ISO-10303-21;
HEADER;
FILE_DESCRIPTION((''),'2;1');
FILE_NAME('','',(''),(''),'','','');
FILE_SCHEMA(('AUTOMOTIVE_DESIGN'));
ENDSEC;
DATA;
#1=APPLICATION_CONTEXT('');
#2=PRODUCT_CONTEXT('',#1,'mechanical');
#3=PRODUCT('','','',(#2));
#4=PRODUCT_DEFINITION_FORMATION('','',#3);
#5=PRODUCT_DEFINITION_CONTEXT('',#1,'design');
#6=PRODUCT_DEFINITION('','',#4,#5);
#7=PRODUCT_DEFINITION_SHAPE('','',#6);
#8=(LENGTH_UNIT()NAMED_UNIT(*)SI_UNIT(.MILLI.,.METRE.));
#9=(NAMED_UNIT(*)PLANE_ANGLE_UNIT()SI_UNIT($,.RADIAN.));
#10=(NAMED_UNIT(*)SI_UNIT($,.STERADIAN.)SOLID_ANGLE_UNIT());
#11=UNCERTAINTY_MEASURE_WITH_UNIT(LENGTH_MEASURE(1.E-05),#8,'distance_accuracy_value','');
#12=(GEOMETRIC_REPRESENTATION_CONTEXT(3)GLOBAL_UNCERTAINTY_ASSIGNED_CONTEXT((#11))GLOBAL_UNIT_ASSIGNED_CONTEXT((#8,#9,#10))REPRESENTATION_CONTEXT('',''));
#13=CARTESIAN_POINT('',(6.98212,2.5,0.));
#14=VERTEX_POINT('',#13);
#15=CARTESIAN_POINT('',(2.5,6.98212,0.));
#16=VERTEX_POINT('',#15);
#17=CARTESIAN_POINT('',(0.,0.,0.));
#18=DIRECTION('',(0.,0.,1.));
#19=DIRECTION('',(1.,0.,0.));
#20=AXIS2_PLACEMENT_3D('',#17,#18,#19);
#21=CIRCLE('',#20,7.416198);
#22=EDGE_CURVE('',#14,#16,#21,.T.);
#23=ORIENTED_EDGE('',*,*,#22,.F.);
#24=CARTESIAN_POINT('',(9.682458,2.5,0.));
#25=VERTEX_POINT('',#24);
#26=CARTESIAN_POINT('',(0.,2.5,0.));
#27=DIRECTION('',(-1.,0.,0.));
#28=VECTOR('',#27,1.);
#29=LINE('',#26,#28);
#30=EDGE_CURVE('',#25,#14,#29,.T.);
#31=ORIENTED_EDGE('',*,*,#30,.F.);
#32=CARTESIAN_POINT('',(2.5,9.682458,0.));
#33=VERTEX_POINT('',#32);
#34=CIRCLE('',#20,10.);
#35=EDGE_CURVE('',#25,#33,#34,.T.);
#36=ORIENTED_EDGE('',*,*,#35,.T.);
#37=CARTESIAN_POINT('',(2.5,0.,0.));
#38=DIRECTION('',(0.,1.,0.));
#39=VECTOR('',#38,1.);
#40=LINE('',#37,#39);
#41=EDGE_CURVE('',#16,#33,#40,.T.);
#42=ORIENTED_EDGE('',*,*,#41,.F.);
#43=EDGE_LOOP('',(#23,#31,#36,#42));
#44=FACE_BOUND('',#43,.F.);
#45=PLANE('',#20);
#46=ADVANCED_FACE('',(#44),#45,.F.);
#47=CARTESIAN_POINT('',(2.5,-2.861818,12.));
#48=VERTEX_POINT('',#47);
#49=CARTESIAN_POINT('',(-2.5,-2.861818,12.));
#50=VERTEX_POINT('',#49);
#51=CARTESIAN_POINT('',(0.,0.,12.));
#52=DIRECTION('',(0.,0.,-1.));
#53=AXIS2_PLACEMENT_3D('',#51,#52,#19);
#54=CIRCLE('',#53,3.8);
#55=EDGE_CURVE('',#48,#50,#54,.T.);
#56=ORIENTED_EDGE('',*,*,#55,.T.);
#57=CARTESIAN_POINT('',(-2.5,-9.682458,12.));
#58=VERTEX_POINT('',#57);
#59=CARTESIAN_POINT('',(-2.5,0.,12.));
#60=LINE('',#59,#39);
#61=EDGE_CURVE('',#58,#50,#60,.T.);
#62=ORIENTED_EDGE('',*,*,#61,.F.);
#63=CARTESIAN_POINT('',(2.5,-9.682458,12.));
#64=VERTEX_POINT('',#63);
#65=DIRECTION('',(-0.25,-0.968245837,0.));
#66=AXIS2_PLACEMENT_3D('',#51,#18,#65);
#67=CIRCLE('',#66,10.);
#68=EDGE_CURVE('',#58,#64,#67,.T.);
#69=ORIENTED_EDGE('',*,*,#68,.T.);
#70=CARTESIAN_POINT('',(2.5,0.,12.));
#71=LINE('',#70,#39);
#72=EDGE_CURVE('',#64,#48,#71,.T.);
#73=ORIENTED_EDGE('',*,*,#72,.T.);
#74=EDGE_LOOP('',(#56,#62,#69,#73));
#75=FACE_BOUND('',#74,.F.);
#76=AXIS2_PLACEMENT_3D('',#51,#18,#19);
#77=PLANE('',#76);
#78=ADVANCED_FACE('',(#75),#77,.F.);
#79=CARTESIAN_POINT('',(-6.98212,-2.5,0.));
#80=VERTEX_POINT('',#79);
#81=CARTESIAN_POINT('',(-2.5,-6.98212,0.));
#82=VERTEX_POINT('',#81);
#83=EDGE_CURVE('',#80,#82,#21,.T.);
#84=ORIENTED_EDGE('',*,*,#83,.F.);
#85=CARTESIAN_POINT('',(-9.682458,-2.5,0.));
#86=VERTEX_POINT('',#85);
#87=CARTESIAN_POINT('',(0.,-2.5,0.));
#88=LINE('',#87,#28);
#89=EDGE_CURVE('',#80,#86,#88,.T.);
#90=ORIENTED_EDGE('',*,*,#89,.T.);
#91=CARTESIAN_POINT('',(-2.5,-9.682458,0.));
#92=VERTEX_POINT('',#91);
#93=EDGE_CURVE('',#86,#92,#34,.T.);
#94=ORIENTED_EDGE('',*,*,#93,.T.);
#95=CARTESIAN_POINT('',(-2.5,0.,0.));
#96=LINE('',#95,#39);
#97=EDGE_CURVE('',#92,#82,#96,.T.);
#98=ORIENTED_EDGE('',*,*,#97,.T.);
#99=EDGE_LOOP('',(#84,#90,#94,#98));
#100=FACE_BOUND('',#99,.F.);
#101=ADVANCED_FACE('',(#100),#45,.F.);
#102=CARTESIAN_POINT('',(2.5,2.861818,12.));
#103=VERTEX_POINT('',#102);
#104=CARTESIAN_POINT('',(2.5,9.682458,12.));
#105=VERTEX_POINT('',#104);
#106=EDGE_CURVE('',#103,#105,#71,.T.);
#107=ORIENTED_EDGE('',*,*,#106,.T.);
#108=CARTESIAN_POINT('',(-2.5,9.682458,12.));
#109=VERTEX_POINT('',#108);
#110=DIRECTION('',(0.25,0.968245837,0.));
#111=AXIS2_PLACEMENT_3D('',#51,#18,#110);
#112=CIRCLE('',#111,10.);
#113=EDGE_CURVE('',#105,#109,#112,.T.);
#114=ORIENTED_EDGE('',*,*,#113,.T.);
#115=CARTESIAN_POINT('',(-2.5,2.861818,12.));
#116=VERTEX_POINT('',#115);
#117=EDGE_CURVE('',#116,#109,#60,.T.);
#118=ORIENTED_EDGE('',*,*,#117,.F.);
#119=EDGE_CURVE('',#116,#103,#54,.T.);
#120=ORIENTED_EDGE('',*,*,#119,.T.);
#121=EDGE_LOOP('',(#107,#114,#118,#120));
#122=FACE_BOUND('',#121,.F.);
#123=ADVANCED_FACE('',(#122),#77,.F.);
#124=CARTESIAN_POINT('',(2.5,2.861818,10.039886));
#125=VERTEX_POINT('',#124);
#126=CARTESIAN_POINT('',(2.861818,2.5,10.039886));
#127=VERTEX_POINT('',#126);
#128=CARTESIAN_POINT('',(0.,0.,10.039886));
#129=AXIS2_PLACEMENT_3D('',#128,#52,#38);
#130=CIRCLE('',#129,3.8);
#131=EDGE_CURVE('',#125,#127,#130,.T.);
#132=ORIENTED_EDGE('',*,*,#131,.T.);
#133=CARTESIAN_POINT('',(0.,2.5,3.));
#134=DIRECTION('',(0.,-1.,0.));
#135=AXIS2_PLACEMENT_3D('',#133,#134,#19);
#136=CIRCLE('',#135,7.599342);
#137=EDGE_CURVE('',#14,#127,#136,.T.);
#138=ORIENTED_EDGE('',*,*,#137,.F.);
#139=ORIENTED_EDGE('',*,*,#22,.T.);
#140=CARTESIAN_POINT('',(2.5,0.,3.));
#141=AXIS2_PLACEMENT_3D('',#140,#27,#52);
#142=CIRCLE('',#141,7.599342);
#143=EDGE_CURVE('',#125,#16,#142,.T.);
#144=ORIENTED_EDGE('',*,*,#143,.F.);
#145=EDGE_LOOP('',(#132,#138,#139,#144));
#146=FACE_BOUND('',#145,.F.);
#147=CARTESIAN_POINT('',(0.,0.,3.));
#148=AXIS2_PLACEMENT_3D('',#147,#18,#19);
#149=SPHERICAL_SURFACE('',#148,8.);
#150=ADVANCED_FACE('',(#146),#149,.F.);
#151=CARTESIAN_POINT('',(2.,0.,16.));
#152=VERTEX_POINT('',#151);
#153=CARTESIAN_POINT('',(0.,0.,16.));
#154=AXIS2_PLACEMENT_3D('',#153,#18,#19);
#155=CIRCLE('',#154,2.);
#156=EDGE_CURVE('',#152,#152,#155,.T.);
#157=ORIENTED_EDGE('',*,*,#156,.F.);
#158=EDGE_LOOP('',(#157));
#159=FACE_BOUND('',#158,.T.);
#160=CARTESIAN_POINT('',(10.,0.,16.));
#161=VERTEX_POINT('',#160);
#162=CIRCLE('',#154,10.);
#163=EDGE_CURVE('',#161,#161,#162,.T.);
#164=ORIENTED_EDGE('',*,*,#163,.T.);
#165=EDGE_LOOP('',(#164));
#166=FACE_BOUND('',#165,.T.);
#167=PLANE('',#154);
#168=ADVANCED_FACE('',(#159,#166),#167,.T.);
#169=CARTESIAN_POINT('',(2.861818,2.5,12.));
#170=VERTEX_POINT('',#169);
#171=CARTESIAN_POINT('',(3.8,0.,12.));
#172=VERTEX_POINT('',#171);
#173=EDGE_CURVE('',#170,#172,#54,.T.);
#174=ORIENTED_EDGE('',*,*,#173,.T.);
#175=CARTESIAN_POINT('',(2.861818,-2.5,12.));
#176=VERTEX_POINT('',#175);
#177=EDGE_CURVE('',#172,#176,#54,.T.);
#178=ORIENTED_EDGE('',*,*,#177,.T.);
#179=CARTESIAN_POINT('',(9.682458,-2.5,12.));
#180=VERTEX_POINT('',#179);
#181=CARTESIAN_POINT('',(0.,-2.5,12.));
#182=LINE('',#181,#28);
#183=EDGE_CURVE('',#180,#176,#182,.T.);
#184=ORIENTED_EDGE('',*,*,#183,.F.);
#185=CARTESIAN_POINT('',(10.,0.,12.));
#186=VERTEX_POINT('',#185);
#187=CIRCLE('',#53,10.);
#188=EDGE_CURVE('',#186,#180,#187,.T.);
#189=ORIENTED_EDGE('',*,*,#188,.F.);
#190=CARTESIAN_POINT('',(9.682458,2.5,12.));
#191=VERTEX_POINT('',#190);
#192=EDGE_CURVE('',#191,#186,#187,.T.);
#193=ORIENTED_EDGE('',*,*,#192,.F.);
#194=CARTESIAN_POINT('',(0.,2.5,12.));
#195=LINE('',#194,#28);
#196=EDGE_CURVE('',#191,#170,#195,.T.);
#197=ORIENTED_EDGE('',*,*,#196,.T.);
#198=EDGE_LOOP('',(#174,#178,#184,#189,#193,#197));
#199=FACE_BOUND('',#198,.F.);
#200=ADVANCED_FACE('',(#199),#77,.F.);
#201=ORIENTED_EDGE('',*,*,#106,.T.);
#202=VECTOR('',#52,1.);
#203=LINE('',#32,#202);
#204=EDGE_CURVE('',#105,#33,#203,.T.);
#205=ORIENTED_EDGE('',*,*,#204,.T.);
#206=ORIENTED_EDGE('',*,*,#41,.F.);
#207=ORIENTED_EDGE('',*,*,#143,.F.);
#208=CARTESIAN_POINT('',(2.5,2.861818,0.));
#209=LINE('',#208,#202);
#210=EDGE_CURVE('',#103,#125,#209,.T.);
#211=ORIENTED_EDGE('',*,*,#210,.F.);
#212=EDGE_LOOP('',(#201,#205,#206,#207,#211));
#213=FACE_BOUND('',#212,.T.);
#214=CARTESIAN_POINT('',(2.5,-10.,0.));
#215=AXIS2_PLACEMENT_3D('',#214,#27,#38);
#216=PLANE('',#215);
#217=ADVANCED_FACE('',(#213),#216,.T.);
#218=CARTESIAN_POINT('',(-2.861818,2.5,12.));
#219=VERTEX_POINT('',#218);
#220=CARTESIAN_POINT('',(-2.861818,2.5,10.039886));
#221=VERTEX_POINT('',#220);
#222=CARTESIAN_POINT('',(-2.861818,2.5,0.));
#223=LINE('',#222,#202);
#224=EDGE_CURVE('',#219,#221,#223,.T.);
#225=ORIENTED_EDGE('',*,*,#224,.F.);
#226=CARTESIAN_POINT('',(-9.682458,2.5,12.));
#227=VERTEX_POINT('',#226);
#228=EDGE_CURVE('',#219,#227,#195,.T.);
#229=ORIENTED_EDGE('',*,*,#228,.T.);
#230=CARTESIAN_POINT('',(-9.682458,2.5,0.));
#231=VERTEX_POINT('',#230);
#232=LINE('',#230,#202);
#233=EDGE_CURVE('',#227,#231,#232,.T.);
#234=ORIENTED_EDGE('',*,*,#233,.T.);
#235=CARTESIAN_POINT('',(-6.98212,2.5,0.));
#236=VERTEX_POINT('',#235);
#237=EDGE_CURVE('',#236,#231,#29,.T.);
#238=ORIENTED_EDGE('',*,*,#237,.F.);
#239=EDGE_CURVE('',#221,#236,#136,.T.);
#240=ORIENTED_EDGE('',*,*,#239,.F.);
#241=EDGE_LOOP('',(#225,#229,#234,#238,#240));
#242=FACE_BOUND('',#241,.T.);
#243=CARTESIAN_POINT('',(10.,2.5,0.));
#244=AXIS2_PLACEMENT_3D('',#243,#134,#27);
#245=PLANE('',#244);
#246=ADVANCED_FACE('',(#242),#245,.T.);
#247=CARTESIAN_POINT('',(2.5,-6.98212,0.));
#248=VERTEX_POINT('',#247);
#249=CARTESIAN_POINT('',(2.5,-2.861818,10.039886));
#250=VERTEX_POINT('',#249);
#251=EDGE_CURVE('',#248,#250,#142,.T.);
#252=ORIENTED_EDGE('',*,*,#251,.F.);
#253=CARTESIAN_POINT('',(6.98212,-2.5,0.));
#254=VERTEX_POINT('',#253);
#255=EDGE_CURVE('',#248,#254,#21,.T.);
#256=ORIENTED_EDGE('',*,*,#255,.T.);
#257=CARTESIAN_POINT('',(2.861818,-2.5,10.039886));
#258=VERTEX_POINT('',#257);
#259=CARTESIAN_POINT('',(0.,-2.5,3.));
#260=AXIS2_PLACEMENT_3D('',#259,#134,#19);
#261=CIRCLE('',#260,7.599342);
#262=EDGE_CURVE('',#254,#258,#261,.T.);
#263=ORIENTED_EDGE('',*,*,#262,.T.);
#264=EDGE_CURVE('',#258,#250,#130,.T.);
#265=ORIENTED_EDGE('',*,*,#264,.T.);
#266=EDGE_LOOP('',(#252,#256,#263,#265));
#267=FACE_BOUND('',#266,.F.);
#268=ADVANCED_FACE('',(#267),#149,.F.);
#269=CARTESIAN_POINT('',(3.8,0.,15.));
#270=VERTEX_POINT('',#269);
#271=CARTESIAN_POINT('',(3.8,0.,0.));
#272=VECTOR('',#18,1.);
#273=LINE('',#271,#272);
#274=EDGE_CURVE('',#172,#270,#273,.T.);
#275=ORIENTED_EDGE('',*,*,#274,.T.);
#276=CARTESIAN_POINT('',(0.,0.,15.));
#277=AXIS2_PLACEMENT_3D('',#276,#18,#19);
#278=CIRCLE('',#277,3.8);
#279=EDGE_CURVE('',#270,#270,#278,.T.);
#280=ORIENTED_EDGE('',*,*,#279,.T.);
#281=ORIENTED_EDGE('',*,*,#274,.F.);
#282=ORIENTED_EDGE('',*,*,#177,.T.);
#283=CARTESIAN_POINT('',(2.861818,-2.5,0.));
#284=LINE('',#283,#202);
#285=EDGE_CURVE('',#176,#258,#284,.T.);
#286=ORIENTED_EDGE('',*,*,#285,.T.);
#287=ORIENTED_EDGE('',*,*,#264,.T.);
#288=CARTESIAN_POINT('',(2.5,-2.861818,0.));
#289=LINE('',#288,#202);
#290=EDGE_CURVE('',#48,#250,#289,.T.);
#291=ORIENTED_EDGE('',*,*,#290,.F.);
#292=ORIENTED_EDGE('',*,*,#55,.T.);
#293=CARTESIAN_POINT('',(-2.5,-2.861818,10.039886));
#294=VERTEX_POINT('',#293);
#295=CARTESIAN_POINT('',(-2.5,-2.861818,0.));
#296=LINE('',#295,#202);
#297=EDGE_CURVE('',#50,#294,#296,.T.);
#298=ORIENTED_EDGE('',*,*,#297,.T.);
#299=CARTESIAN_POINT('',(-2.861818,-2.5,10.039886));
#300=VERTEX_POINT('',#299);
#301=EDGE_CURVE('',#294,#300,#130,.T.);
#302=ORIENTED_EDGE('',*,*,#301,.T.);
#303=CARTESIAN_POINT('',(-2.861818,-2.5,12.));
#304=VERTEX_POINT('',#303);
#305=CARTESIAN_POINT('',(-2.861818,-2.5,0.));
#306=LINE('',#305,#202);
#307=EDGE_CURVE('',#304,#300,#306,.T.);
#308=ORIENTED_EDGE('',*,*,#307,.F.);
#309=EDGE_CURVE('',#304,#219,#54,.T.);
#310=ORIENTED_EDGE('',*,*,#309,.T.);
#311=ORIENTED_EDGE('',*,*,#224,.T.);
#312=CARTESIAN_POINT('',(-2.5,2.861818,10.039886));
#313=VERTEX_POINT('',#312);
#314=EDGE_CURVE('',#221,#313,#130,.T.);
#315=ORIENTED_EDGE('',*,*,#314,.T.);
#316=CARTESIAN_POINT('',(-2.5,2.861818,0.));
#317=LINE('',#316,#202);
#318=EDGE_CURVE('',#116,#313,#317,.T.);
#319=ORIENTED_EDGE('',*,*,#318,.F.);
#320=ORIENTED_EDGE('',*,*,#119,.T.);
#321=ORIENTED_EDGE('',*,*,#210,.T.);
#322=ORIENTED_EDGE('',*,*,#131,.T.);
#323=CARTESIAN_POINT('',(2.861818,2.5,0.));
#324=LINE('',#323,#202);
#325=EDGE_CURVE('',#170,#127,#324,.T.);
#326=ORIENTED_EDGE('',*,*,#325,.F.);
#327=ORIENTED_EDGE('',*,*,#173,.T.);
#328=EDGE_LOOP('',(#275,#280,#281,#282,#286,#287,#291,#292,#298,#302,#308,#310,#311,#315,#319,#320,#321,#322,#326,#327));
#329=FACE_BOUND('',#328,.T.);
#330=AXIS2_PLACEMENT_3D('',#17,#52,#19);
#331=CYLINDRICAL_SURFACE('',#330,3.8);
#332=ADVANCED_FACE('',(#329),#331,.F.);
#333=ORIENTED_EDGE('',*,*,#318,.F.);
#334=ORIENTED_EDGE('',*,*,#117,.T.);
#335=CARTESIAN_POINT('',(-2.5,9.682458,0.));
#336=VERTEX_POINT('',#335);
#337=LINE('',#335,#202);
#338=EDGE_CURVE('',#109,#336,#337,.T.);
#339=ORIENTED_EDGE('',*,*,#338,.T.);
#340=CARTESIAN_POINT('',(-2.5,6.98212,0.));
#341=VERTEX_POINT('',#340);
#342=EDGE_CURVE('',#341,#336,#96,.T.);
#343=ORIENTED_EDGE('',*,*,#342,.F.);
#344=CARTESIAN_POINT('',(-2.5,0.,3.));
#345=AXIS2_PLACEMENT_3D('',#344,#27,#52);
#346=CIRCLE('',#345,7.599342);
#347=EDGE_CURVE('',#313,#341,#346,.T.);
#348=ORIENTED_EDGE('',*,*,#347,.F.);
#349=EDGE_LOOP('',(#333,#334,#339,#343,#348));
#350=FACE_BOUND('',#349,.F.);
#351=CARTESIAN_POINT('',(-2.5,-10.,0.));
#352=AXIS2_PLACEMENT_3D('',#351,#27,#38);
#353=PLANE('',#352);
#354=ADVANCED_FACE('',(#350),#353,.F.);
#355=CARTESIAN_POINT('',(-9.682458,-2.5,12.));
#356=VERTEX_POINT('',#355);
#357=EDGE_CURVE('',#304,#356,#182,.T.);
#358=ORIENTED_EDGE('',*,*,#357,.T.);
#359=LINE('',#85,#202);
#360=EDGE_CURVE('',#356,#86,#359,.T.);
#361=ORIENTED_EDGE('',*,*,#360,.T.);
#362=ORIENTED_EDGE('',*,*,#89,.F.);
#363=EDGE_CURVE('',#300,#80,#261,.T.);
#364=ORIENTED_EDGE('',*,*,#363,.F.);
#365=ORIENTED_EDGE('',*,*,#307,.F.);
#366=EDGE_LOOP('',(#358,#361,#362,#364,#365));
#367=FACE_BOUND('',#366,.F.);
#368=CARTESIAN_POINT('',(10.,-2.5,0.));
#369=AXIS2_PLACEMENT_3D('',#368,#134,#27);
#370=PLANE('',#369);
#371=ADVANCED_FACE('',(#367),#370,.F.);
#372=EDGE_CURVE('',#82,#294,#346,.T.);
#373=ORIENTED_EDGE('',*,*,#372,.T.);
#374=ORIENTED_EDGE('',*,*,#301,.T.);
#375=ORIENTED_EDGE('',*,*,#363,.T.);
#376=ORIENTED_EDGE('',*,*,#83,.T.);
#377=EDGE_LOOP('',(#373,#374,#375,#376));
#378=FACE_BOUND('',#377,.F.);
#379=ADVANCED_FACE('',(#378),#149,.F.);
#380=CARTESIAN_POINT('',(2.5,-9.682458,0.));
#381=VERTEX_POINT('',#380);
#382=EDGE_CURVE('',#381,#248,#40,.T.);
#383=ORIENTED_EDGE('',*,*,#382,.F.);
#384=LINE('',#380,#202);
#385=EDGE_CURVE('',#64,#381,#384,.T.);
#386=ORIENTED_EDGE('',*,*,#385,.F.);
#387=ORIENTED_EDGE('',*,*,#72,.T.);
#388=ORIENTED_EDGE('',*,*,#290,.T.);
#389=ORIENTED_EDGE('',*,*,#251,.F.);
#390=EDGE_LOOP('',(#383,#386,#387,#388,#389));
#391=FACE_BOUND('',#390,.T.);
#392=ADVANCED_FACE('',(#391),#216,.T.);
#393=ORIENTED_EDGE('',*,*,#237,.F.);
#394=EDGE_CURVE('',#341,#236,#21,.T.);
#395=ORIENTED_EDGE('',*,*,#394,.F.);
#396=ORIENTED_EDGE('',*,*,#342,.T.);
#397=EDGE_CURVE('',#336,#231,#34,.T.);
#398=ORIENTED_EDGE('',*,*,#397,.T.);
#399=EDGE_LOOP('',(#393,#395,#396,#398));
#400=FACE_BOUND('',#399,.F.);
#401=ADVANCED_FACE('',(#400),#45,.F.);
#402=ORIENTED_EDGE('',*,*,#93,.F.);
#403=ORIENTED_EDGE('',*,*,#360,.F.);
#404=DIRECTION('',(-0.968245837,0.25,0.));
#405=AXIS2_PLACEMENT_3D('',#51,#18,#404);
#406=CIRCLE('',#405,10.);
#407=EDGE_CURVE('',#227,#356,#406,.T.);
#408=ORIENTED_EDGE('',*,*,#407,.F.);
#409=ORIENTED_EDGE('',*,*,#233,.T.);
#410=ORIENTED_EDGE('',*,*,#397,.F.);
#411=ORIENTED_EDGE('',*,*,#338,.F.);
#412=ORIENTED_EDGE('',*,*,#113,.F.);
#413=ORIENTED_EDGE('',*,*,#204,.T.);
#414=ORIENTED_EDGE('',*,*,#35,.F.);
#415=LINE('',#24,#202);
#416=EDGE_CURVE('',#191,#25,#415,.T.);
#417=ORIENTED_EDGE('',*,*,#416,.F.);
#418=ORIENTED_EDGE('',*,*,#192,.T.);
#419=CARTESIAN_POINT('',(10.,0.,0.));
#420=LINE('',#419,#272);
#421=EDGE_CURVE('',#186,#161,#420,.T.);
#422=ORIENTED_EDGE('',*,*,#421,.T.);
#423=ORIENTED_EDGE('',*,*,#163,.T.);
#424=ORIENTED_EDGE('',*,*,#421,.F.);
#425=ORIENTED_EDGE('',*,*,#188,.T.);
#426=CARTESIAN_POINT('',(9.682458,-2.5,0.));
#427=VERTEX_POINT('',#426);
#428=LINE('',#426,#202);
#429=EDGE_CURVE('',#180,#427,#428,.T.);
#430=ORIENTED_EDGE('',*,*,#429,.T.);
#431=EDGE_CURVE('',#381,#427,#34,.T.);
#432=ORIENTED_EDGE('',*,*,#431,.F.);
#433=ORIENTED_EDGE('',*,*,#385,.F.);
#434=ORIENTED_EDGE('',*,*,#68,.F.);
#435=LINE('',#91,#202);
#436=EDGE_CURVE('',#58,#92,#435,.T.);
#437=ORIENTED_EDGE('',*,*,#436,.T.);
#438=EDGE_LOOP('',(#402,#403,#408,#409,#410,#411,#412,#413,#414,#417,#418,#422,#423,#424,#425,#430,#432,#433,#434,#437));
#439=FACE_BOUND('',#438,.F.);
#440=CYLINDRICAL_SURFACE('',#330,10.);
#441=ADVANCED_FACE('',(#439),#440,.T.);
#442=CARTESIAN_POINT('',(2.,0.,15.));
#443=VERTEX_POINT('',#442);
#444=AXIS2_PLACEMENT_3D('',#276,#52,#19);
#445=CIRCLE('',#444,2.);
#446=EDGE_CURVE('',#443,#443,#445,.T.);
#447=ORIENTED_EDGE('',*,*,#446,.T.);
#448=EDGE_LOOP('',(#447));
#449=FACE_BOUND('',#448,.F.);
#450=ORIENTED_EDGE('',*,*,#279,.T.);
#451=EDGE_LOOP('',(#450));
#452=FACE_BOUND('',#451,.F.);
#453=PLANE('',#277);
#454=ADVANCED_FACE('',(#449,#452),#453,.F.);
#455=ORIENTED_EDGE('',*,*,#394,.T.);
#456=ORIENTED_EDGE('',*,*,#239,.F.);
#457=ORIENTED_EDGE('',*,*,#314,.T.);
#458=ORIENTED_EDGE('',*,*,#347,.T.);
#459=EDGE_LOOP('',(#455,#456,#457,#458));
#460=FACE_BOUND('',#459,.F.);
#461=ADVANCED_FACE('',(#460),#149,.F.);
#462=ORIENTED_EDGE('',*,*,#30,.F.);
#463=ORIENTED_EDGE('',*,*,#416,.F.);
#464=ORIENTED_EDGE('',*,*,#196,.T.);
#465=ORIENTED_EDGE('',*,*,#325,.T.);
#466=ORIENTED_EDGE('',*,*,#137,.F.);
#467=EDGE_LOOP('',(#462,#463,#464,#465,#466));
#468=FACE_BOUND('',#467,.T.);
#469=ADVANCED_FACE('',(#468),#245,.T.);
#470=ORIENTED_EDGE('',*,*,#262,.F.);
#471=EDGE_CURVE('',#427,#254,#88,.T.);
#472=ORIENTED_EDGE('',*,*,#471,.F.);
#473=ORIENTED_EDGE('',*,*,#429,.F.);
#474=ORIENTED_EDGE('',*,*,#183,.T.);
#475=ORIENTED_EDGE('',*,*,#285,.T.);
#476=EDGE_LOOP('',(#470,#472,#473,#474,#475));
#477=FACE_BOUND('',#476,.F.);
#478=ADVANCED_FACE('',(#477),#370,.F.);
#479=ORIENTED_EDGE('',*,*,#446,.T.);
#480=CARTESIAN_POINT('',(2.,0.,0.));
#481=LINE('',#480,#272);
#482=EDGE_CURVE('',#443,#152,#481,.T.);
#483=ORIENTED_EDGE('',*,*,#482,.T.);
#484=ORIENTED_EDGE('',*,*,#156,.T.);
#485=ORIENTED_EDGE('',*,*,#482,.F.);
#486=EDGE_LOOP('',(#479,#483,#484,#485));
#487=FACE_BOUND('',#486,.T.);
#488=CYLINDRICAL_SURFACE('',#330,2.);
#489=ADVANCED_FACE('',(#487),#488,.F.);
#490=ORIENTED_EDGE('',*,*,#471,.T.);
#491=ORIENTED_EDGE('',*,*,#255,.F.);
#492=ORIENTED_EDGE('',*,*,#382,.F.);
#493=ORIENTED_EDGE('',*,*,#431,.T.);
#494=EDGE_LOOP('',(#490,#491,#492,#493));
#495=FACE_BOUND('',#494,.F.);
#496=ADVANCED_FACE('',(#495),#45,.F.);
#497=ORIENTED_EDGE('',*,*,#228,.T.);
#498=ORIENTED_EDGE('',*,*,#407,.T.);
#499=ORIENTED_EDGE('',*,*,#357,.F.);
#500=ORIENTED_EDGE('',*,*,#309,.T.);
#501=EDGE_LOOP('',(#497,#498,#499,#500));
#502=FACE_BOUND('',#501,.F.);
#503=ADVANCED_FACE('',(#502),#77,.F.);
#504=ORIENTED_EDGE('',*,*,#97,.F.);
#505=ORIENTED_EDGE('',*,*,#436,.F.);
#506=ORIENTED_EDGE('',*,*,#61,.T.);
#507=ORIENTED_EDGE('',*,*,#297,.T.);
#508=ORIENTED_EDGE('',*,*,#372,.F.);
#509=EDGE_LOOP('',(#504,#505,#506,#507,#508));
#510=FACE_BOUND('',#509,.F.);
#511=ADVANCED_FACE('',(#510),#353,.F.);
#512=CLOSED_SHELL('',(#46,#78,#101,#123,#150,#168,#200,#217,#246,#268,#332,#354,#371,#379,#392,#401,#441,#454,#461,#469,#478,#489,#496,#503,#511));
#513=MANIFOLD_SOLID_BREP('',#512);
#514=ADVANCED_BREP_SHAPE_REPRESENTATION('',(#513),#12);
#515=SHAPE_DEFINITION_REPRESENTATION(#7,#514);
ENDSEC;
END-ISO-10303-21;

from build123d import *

# Parameters (mm, degrees)
CYLINDER002_R       = 3.8
CYLINDER002_DEPTH   = 15
CYLINDER001_R       = 2
CYLINDER001_DEPTH   = 16
BOX001_W            = 5
BOX001_H            = 20
BOX001_DEPTH        = 12
BOX_W               = 5
BOX_H               = 20
BOX_DEPTH           = 12
BOX_PLACEMENT_ANGLE = 90
CYLINDER_R          = 10
CYLINDER_DEPTH      = 16


with BuildPart() as cilindro002:
    # Cylinder002 → Cylinder002 (new body)
    with BuildSketch(Plane.XY):
        Circle(CYLINDER002_R)
    extrude(amount=CYLINDER002_DEPTH)


with BuildPart() as fusion001:
    # Cylinder001 → Cylinder001 (new body)
    with BuildSketch(Plane.XY):
        Circle(CYLINDER001_R)
    extrude(amount=CYLINDER001_DEPTH)

    # Fusion001: union Cilindro002
    add(cilindro002.part)


with BuildPart() as cubo001:
    # Box001 → Box001 (new body)
    with BuildSketch(Plane(origin=(-2.5, -10, 0), x_dir=(1, 0, 0), z_dir=(0, 0, 1))):
        with Locations((2.5, 10)):
            Rectangle(BOX001_W, BOX001_H)
    extrude(amount=BOX001_DEPTH)


with BuildPart() as fusion:
    # Box → Box (new body)
    with BuildSketch(Plane.XY):
        with Locations((2.5, 10)):
            Rectangle(BOX_W, BOX_H)
    extrude(amount=BOX_DEPTH)


with BuildPart() as fusion_1:
    # Box placement: moved
    add(fusion.part.moved(Location((10, -2.5, 0))).rotate(Axis((10, -2.5, 0), (0, 0, 1)), BOX_PLACEMENT_ANGLE))

    # Fusion: union Cubo001
    add(cubo001.part)


with BuildPart() as esfera:
    # Sphere → Sphere (revolve)
    with BuildSketch(Plane(origin=(0, 0, 3), x_dir=(1, 0, 0), z_dir=(0, -1, 0))):
        with BuildLine():
            ThreePointArc((0, -8), (8, 0), (0, 8))
            Line((0, 8), (0, -8))
        make_face()
    revolve(axis=Axis((0, 0, 3), (0, 0, 1)))


with BuildPart() as cut002:
    # Cylinder → Cylinder (new body)
    with BuildSketch(Plane.XY):
        Circle(CYLINDER_R)
    extrude(amount=CYLINDER_DEPTH)

    # Cut: cut Esfera
    add(esfera.part, mode=Mode.SUBTRACT)

    # Cut001: cut Fusion
    add(fusion_1.part, mode=Mode.SUBTRACT)

    # Cut002: cut Fusion001
    add(fusion001.part, mode=Mode.SUBTRACT)


solid = cut002.part
